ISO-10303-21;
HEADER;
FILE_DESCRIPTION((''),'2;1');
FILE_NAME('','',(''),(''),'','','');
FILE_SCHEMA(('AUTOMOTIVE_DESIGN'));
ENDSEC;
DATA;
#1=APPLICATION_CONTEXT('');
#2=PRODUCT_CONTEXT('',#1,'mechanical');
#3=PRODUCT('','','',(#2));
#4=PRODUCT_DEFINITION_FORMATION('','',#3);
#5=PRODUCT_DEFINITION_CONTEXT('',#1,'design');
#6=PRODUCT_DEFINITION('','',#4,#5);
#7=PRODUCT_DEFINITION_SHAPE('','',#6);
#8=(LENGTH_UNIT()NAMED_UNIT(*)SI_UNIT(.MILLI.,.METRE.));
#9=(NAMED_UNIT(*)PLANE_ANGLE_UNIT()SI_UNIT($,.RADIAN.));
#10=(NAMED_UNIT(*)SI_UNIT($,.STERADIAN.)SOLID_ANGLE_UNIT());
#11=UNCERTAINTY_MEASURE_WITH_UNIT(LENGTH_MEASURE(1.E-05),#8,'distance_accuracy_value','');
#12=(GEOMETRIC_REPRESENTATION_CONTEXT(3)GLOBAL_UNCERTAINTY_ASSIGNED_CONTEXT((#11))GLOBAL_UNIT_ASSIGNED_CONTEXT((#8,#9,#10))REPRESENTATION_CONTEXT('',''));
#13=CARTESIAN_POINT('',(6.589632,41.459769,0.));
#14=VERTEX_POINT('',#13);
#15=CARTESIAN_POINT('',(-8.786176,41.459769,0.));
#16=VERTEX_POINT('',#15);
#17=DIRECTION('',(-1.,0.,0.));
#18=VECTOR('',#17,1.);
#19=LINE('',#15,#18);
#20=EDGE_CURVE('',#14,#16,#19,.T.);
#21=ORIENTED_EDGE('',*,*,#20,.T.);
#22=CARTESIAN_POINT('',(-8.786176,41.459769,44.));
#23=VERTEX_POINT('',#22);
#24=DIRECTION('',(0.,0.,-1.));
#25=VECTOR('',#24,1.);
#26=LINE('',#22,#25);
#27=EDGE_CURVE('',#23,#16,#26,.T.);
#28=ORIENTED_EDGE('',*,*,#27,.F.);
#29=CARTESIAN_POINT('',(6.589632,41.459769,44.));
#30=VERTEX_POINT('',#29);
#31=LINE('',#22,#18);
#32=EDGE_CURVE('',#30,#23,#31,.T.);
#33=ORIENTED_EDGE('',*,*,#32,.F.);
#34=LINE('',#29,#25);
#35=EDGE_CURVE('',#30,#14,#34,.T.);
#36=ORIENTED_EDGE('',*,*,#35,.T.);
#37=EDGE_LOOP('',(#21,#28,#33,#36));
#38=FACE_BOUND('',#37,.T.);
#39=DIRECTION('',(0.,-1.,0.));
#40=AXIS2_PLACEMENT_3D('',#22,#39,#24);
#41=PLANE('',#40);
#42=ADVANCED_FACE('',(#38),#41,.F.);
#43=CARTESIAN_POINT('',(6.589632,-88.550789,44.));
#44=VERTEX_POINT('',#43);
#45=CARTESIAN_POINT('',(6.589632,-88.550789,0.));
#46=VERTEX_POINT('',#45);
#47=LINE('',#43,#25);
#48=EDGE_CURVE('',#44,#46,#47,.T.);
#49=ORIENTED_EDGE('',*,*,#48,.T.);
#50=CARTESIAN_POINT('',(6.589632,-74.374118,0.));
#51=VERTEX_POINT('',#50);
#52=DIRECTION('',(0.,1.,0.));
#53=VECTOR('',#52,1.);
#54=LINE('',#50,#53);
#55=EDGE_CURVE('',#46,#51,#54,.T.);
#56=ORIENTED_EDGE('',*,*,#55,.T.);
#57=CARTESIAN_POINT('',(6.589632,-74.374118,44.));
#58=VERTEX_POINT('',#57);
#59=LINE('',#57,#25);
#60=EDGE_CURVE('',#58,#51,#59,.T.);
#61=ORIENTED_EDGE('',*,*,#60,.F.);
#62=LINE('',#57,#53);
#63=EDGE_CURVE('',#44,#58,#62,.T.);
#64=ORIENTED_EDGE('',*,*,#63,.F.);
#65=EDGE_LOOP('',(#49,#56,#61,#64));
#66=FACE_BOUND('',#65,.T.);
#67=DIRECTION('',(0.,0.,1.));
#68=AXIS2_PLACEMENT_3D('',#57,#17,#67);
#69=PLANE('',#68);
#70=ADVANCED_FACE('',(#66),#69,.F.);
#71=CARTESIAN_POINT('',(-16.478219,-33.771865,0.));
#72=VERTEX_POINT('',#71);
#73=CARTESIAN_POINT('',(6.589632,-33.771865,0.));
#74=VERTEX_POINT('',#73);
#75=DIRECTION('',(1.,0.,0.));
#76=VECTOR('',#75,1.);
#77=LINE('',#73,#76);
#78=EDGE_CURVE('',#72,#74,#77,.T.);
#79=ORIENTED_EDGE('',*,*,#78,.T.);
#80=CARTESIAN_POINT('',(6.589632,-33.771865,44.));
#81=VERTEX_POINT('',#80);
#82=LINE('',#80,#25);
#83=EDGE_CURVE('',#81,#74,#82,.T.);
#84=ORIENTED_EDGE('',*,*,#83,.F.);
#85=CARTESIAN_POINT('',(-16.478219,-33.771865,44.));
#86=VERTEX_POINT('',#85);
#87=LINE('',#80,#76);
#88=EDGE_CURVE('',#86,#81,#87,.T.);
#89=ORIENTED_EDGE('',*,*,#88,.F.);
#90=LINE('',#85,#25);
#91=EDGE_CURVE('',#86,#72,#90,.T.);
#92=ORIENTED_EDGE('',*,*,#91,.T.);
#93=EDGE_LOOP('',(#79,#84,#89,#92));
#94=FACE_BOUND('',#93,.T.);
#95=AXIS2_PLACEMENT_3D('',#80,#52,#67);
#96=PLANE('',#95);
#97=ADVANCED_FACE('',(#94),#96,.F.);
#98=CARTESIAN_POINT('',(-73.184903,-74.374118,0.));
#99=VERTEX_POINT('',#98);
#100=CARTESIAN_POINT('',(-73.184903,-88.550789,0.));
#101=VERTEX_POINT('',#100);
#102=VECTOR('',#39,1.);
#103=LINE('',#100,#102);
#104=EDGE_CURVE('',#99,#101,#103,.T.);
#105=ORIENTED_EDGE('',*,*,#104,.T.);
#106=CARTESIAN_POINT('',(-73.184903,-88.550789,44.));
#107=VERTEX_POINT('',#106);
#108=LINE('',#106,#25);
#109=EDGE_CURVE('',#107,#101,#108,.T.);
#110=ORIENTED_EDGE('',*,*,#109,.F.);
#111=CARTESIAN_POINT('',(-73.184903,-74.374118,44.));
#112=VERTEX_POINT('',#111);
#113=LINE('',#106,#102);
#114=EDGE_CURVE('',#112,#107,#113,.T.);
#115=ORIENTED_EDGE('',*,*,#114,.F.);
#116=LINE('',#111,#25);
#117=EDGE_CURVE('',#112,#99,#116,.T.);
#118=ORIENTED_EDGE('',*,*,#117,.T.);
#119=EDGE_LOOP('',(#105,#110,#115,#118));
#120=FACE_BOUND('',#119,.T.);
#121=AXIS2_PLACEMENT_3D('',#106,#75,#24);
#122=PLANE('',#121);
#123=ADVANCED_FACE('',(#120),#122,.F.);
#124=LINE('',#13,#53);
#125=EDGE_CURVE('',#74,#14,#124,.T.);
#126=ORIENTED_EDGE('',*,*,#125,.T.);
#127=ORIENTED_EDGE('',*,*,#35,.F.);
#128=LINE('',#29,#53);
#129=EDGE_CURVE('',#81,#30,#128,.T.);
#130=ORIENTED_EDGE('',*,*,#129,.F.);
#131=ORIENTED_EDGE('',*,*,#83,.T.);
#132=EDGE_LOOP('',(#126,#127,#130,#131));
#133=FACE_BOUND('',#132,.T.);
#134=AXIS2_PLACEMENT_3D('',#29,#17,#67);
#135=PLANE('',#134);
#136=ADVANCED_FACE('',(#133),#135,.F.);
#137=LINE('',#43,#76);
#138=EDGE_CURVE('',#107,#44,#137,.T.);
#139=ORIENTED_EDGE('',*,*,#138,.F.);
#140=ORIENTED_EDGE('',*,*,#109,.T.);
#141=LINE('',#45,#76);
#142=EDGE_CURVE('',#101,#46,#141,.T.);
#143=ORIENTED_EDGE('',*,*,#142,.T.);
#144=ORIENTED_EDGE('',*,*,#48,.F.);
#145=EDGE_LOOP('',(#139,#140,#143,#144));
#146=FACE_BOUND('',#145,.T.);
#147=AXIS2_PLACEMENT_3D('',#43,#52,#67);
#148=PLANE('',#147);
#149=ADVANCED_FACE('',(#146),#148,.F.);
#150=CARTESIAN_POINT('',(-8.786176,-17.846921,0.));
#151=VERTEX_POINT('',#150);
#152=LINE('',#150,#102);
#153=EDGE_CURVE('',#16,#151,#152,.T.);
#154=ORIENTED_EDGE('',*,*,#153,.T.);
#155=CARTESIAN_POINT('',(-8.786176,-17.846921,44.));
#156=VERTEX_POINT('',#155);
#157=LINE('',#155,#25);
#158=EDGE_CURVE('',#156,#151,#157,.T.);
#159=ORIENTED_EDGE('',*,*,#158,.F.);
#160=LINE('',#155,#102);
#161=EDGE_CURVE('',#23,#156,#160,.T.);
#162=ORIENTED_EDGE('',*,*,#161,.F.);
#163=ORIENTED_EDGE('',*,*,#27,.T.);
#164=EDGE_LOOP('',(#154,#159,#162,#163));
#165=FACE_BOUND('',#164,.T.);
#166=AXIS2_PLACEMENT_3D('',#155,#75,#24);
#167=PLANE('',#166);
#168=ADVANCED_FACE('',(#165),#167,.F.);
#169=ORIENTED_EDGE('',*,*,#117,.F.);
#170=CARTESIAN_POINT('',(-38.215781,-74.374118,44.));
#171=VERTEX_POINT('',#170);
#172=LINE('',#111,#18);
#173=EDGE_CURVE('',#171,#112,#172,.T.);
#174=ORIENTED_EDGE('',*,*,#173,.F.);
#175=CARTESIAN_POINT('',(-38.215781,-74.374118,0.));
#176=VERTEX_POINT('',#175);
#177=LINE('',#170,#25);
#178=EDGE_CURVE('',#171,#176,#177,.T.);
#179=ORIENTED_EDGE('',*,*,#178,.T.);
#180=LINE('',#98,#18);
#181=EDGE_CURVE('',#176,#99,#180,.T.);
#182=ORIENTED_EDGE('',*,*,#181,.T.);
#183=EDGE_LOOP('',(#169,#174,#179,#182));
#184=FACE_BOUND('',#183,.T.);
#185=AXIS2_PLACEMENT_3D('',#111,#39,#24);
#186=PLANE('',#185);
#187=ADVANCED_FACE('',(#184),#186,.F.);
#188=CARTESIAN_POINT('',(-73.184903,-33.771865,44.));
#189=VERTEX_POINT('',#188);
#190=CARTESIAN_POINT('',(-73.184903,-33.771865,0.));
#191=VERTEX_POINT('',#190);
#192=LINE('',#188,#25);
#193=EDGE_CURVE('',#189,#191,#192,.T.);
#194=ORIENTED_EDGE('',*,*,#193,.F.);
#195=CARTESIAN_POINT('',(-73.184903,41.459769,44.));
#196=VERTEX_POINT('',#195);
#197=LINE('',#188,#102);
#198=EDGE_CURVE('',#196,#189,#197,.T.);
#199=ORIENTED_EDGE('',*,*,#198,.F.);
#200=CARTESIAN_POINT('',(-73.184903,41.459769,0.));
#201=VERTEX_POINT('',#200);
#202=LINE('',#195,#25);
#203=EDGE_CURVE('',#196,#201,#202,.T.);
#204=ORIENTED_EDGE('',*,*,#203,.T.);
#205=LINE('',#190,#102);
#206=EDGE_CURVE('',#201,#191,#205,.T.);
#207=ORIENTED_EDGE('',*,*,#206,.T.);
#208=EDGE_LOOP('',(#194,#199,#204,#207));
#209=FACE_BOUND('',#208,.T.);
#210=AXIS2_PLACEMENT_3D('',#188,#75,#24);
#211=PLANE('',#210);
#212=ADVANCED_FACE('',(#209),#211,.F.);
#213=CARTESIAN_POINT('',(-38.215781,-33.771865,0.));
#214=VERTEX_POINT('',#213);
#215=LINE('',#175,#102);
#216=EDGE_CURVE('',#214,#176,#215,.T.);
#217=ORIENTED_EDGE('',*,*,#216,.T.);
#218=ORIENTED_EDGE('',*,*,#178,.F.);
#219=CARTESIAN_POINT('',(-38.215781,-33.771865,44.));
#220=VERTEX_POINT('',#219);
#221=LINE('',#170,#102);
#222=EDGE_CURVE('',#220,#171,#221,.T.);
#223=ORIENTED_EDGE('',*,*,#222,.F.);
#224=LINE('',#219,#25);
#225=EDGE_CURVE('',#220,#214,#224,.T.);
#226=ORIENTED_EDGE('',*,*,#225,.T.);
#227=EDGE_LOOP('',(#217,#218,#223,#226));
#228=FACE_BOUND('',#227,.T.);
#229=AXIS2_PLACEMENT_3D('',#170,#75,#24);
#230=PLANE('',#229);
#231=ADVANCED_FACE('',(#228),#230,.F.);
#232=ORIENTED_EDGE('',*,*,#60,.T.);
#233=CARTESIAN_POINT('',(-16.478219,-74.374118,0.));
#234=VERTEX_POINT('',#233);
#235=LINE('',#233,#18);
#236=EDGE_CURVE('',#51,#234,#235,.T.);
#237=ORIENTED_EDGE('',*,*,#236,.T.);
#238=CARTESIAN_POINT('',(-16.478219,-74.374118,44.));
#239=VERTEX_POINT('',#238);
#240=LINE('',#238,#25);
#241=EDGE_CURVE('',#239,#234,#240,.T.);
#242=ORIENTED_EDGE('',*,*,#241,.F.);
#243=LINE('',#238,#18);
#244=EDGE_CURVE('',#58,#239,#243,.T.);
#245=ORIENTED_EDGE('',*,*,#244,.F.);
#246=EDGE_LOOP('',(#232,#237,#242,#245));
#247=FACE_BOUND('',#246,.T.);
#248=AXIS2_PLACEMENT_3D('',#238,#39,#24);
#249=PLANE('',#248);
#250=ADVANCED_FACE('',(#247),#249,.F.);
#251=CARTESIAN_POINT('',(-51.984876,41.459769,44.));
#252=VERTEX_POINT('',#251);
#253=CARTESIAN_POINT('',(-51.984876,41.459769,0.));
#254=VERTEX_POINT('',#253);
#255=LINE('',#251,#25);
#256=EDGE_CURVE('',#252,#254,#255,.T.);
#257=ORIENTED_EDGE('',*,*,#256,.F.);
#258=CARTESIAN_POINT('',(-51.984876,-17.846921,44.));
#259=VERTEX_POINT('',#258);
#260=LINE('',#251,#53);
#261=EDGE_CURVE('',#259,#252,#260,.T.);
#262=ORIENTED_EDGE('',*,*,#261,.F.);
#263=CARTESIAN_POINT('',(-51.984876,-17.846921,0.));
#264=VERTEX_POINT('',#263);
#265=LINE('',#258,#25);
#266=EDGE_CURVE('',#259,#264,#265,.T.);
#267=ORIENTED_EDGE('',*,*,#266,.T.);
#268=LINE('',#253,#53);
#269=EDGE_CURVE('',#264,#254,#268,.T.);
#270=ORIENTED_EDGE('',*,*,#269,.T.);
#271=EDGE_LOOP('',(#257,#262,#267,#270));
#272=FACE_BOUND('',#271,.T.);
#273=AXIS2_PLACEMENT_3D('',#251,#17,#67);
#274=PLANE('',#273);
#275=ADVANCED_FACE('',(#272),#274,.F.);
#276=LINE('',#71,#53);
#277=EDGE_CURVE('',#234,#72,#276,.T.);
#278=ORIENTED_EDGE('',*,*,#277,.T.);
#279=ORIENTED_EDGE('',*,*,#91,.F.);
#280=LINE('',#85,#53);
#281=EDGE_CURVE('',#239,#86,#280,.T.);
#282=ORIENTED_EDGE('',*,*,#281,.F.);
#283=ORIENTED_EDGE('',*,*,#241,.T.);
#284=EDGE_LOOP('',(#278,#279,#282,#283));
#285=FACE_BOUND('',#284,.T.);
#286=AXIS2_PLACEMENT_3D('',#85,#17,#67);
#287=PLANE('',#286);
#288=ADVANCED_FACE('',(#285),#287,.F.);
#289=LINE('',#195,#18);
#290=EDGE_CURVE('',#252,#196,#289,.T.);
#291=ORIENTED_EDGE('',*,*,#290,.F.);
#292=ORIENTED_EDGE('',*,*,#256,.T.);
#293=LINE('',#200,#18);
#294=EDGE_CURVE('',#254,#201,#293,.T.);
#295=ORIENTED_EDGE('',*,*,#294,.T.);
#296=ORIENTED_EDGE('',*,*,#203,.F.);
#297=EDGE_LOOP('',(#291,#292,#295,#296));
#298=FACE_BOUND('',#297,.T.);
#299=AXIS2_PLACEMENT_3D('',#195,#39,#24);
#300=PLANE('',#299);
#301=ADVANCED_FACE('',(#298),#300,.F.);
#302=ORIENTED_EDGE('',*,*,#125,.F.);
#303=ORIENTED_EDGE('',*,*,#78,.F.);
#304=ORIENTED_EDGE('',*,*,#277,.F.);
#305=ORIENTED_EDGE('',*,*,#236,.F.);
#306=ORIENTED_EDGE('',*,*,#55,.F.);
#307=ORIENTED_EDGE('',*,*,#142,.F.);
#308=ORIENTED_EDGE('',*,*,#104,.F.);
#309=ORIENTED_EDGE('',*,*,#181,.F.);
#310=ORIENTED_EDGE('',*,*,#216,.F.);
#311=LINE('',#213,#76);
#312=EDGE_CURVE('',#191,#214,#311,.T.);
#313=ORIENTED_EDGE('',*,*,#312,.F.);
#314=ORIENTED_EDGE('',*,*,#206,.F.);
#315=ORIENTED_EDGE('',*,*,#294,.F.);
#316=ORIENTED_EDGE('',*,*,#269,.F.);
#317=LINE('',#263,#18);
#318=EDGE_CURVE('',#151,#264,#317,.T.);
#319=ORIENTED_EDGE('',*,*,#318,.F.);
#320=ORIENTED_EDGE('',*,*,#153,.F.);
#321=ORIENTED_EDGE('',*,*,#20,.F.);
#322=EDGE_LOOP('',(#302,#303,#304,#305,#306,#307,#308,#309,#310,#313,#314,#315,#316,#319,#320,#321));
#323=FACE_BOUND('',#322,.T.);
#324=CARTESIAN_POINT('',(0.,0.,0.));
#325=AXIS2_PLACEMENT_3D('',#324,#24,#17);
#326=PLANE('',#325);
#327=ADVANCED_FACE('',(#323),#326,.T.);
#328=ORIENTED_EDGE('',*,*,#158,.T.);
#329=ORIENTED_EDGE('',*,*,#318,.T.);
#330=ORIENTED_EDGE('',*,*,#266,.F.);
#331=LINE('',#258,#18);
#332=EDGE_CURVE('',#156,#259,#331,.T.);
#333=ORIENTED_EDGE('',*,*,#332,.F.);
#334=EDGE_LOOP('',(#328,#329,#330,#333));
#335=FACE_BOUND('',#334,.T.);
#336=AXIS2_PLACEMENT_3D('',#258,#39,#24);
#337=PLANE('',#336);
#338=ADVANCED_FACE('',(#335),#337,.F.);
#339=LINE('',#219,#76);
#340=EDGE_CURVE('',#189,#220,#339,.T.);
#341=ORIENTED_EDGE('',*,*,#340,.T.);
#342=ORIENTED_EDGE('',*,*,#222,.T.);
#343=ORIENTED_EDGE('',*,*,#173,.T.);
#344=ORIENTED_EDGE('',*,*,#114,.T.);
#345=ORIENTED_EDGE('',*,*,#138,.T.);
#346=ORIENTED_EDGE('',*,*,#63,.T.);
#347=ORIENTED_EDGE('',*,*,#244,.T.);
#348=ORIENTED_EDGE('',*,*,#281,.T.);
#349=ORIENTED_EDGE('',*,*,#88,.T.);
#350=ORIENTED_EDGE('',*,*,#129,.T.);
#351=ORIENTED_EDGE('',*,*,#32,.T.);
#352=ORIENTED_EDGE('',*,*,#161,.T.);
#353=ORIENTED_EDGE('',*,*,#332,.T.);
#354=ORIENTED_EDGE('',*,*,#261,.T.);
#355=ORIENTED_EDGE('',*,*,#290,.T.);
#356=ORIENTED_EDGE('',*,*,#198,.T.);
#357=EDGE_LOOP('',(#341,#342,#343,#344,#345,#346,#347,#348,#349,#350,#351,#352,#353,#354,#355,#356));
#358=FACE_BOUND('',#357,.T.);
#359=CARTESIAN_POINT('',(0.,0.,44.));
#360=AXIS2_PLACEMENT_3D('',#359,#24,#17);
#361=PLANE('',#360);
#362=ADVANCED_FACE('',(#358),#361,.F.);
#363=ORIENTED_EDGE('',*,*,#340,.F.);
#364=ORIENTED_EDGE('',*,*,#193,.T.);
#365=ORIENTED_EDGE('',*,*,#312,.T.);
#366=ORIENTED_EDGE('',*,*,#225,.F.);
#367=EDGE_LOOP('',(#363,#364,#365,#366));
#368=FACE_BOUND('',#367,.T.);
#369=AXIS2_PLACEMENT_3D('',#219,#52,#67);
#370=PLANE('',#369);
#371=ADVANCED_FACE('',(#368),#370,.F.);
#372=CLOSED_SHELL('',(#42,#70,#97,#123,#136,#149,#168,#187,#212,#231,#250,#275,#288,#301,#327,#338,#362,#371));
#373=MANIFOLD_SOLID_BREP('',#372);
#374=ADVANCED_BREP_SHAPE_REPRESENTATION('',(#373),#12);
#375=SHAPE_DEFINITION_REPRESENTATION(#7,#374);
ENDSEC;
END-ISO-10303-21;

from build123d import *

# Parameters (mm, degrees)
BOSS_EXTRUDE1_DEPTH = 44


with BuildPart() as part:
    # Sketch1 → Boss-Extrude1 (new body)
    with BuildSketch(Plane.XY):
        Polygon((-51.984876267, 41.459769276), (-51.984876267, -17.846920549), (-8.78617627, -17.846920549), (-8.78617627, 41.459769276), (6.589632203, 41.459769276), (6.589632203, -33.771865039), (-16.478218796, -33.771865039), (-16.478218796, -74.374117789), (6.589632203, -74.374117789), (6.589632203, -88.550788925), (-73.184903339, -88.550788925), (-73.184903339, -74.374117789), (-38.215781204, -74.374117789), (-38.215781204, -33.771865039), (-73.184903339, -33.771865039), (-73.184903339, 41.459769276), align=None)
    extrude(amount=BOSS_EXTRUDE1_DEPTH)


solid = part.part
